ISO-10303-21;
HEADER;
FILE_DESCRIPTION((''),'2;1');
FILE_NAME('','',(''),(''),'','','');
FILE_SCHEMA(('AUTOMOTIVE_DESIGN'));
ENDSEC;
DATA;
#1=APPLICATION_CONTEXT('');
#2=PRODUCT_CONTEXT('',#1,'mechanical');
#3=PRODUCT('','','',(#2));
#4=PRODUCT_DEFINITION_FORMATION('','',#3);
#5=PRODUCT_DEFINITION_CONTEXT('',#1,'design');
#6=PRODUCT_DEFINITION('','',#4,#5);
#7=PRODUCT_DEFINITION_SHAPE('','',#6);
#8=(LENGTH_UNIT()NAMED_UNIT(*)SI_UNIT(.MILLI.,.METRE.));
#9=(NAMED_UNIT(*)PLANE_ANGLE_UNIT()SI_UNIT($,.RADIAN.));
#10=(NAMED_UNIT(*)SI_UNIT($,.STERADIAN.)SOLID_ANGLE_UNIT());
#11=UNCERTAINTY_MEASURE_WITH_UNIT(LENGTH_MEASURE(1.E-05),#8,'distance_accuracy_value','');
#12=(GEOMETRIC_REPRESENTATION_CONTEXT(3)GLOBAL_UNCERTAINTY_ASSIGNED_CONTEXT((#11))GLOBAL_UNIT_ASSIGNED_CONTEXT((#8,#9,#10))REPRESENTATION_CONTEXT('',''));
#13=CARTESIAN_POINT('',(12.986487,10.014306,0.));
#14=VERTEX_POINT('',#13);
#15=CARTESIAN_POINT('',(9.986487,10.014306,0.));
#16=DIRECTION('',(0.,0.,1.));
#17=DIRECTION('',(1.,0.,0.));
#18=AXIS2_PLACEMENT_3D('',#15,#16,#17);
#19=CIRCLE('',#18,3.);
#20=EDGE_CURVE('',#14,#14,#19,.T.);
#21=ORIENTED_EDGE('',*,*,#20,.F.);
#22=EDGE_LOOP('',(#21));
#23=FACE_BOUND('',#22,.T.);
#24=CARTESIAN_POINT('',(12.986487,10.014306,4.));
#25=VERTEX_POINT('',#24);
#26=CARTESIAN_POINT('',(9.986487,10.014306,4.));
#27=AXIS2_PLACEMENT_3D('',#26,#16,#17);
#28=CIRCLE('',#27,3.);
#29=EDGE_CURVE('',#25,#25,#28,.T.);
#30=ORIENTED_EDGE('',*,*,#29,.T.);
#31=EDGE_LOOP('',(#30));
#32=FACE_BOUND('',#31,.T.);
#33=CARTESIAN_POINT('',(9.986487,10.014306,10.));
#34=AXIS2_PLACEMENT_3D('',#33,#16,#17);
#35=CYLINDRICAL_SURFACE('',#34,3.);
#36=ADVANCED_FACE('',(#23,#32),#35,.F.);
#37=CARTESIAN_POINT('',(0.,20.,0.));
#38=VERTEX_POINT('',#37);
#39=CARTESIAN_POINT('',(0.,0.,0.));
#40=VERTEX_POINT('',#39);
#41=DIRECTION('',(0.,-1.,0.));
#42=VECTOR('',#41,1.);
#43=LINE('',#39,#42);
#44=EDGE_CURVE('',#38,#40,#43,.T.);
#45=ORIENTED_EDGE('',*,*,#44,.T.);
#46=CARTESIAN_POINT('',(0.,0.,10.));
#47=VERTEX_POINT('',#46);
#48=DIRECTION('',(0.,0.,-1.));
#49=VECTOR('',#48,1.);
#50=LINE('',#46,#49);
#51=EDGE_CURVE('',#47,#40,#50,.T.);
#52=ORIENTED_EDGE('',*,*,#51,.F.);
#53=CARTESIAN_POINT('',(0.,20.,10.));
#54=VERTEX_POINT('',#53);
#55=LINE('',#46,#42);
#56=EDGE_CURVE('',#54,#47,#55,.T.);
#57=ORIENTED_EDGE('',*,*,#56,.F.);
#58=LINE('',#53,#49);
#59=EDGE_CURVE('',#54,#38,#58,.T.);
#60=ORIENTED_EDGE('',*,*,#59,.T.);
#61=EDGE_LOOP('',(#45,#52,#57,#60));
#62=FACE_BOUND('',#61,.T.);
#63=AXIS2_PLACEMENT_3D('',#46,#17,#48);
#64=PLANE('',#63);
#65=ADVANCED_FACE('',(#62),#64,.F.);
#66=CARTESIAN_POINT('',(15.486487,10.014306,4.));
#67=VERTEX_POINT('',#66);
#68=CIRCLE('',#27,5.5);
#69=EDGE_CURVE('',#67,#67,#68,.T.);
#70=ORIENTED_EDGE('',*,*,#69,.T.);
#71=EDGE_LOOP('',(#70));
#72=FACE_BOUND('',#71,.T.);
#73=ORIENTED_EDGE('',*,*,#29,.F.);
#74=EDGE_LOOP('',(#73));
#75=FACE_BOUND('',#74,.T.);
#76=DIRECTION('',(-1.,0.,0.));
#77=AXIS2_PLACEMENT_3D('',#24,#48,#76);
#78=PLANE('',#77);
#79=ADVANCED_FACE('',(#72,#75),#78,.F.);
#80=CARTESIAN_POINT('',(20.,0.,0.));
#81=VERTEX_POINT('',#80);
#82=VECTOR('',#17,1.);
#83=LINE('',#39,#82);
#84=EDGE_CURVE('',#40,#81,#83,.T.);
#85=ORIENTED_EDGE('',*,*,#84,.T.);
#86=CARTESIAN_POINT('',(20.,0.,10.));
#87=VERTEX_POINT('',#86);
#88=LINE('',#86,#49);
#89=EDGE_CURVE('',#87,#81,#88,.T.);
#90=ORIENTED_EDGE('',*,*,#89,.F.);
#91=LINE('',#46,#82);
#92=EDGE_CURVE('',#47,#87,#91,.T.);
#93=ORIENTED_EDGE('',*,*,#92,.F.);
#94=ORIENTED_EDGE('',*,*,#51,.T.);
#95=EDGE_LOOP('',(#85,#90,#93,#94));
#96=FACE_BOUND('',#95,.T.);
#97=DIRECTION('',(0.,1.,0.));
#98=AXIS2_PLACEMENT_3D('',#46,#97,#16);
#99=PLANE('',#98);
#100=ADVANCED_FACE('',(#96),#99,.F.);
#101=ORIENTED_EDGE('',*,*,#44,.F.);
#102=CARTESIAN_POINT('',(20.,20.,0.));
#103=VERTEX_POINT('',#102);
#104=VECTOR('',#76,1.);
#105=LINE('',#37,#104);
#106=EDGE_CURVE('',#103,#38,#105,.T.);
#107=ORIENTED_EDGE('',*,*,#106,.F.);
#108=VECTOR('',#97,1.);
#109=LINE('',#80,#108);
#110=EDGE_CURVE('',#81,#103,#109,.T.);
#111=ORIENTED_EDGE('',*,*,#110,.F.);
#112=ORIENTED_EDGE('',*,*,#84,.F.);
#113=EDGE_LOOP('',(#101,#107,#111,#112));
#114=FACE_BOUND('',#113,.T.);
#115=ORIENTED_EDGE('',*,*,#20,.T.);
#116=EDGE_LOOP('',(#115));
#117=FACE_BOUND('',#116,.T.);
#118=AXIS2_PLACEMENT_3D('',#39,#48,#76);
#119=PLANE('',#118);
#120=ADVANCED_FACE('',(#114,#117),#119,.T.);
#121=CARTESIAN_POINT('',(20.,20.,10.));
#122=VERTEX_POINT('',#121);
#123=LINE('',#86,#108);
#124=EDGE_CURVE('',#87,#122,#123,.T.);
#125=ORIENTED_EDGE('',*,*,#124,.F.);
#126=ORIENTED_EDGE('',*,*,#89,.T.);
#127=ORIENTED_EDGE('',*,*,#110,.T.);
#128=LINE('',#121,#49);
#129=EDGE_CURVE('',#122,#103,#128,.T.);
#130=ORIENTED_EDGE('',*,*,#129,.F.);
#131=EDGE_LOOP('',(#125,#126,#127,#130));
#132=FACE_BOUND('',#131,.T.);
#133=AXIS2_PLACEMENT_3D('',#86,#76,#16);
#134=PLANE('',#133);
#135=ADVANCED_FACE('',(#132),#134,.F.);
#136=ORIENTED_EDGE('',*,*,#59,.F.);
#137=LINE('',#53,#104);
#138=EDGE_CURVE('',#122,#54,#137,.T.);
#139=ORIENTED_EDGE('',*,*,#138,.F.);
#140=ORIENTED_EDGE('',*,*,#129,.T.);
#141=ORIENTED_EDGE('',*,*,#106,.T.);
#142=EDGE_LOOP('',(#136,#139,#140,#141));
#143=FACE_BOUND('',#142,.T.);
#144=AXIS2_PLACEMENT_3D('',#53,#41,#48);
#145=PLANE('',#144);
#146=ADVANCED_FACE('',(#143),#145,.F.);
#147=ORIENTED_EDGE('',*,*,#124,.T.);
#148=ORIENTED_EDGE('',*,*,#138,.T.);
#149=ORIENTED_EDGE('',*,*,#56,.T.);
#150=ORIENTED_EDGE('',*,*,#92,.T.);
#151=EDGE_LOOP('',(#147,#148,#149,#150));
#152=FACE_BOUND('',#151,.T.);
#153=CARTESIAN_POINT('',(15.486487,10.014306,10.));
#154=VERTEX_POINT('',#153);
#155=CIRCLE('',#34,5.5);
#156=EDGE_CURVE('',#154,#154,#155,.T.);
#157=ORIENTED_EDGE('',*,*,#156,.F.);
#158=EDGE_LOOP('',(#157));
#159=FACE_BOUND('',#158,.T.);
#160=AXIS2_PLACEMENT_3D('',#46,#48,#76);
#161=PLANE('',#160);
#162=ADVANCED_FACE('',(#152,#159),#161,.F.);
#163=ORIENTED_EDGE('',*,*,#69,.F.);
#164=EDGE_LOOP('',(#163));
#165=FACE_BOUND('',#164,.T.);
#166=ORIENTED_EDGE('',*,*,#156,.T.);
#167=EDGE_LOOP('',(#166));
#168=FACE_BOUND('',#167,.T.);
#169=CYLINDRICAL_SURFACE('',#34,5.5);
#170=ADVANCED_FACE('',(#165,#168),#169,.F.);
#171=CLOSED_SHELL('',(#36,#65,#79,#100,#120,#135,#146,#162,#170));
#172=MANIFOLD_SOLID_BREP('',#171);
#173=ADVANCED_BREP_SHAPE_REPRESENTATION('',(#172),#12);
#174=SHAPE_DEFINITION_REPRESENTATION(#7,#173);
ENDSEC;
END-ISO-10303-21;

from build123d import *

# Parameters (mm, degrees)
SKETCH_1_W                                = 20
SKETCH_1_H                                = 20
BASEBOX_DEPTH                             = 10
HOLE_CB_ANSI_METRIC_SOCKET_M6_D           = 6
HOLE_CB_ANSI_METRIC_SOCKET_M6_CBORE_D     = 11
HOLE_CB_ANSI_METRIC_SOCKET_M6_CBORE_DEPTH = 6


with BuildPart() as part:
    # 草图1 → BaseBox (new body)
    with BuildSketch(Plane.XY):
        with Locations((10, 10)):
            Rectangle(SKETCH_1_W, SKETCH_1_H)
    extrude(amount=BASEBOX_DEPTH)

    # Hole_cb_ansi_metric_socket_m6 (through all)
    with Locations(Plane.XY.offset(10)):
        with Locations((9.986487375, 10.014305599)):
            CounterBoreHole(HOLE_CB_ANSI_METRIC_SOCKET_M6_D / 2, HOLE_CB_ANSI_METRIC_SOCKET_M6_CBORE_D / 2, HOLE_CB_ANSI_METRIC_SOCKET_M6_CBORE_DEPTH)


solid = part.part
